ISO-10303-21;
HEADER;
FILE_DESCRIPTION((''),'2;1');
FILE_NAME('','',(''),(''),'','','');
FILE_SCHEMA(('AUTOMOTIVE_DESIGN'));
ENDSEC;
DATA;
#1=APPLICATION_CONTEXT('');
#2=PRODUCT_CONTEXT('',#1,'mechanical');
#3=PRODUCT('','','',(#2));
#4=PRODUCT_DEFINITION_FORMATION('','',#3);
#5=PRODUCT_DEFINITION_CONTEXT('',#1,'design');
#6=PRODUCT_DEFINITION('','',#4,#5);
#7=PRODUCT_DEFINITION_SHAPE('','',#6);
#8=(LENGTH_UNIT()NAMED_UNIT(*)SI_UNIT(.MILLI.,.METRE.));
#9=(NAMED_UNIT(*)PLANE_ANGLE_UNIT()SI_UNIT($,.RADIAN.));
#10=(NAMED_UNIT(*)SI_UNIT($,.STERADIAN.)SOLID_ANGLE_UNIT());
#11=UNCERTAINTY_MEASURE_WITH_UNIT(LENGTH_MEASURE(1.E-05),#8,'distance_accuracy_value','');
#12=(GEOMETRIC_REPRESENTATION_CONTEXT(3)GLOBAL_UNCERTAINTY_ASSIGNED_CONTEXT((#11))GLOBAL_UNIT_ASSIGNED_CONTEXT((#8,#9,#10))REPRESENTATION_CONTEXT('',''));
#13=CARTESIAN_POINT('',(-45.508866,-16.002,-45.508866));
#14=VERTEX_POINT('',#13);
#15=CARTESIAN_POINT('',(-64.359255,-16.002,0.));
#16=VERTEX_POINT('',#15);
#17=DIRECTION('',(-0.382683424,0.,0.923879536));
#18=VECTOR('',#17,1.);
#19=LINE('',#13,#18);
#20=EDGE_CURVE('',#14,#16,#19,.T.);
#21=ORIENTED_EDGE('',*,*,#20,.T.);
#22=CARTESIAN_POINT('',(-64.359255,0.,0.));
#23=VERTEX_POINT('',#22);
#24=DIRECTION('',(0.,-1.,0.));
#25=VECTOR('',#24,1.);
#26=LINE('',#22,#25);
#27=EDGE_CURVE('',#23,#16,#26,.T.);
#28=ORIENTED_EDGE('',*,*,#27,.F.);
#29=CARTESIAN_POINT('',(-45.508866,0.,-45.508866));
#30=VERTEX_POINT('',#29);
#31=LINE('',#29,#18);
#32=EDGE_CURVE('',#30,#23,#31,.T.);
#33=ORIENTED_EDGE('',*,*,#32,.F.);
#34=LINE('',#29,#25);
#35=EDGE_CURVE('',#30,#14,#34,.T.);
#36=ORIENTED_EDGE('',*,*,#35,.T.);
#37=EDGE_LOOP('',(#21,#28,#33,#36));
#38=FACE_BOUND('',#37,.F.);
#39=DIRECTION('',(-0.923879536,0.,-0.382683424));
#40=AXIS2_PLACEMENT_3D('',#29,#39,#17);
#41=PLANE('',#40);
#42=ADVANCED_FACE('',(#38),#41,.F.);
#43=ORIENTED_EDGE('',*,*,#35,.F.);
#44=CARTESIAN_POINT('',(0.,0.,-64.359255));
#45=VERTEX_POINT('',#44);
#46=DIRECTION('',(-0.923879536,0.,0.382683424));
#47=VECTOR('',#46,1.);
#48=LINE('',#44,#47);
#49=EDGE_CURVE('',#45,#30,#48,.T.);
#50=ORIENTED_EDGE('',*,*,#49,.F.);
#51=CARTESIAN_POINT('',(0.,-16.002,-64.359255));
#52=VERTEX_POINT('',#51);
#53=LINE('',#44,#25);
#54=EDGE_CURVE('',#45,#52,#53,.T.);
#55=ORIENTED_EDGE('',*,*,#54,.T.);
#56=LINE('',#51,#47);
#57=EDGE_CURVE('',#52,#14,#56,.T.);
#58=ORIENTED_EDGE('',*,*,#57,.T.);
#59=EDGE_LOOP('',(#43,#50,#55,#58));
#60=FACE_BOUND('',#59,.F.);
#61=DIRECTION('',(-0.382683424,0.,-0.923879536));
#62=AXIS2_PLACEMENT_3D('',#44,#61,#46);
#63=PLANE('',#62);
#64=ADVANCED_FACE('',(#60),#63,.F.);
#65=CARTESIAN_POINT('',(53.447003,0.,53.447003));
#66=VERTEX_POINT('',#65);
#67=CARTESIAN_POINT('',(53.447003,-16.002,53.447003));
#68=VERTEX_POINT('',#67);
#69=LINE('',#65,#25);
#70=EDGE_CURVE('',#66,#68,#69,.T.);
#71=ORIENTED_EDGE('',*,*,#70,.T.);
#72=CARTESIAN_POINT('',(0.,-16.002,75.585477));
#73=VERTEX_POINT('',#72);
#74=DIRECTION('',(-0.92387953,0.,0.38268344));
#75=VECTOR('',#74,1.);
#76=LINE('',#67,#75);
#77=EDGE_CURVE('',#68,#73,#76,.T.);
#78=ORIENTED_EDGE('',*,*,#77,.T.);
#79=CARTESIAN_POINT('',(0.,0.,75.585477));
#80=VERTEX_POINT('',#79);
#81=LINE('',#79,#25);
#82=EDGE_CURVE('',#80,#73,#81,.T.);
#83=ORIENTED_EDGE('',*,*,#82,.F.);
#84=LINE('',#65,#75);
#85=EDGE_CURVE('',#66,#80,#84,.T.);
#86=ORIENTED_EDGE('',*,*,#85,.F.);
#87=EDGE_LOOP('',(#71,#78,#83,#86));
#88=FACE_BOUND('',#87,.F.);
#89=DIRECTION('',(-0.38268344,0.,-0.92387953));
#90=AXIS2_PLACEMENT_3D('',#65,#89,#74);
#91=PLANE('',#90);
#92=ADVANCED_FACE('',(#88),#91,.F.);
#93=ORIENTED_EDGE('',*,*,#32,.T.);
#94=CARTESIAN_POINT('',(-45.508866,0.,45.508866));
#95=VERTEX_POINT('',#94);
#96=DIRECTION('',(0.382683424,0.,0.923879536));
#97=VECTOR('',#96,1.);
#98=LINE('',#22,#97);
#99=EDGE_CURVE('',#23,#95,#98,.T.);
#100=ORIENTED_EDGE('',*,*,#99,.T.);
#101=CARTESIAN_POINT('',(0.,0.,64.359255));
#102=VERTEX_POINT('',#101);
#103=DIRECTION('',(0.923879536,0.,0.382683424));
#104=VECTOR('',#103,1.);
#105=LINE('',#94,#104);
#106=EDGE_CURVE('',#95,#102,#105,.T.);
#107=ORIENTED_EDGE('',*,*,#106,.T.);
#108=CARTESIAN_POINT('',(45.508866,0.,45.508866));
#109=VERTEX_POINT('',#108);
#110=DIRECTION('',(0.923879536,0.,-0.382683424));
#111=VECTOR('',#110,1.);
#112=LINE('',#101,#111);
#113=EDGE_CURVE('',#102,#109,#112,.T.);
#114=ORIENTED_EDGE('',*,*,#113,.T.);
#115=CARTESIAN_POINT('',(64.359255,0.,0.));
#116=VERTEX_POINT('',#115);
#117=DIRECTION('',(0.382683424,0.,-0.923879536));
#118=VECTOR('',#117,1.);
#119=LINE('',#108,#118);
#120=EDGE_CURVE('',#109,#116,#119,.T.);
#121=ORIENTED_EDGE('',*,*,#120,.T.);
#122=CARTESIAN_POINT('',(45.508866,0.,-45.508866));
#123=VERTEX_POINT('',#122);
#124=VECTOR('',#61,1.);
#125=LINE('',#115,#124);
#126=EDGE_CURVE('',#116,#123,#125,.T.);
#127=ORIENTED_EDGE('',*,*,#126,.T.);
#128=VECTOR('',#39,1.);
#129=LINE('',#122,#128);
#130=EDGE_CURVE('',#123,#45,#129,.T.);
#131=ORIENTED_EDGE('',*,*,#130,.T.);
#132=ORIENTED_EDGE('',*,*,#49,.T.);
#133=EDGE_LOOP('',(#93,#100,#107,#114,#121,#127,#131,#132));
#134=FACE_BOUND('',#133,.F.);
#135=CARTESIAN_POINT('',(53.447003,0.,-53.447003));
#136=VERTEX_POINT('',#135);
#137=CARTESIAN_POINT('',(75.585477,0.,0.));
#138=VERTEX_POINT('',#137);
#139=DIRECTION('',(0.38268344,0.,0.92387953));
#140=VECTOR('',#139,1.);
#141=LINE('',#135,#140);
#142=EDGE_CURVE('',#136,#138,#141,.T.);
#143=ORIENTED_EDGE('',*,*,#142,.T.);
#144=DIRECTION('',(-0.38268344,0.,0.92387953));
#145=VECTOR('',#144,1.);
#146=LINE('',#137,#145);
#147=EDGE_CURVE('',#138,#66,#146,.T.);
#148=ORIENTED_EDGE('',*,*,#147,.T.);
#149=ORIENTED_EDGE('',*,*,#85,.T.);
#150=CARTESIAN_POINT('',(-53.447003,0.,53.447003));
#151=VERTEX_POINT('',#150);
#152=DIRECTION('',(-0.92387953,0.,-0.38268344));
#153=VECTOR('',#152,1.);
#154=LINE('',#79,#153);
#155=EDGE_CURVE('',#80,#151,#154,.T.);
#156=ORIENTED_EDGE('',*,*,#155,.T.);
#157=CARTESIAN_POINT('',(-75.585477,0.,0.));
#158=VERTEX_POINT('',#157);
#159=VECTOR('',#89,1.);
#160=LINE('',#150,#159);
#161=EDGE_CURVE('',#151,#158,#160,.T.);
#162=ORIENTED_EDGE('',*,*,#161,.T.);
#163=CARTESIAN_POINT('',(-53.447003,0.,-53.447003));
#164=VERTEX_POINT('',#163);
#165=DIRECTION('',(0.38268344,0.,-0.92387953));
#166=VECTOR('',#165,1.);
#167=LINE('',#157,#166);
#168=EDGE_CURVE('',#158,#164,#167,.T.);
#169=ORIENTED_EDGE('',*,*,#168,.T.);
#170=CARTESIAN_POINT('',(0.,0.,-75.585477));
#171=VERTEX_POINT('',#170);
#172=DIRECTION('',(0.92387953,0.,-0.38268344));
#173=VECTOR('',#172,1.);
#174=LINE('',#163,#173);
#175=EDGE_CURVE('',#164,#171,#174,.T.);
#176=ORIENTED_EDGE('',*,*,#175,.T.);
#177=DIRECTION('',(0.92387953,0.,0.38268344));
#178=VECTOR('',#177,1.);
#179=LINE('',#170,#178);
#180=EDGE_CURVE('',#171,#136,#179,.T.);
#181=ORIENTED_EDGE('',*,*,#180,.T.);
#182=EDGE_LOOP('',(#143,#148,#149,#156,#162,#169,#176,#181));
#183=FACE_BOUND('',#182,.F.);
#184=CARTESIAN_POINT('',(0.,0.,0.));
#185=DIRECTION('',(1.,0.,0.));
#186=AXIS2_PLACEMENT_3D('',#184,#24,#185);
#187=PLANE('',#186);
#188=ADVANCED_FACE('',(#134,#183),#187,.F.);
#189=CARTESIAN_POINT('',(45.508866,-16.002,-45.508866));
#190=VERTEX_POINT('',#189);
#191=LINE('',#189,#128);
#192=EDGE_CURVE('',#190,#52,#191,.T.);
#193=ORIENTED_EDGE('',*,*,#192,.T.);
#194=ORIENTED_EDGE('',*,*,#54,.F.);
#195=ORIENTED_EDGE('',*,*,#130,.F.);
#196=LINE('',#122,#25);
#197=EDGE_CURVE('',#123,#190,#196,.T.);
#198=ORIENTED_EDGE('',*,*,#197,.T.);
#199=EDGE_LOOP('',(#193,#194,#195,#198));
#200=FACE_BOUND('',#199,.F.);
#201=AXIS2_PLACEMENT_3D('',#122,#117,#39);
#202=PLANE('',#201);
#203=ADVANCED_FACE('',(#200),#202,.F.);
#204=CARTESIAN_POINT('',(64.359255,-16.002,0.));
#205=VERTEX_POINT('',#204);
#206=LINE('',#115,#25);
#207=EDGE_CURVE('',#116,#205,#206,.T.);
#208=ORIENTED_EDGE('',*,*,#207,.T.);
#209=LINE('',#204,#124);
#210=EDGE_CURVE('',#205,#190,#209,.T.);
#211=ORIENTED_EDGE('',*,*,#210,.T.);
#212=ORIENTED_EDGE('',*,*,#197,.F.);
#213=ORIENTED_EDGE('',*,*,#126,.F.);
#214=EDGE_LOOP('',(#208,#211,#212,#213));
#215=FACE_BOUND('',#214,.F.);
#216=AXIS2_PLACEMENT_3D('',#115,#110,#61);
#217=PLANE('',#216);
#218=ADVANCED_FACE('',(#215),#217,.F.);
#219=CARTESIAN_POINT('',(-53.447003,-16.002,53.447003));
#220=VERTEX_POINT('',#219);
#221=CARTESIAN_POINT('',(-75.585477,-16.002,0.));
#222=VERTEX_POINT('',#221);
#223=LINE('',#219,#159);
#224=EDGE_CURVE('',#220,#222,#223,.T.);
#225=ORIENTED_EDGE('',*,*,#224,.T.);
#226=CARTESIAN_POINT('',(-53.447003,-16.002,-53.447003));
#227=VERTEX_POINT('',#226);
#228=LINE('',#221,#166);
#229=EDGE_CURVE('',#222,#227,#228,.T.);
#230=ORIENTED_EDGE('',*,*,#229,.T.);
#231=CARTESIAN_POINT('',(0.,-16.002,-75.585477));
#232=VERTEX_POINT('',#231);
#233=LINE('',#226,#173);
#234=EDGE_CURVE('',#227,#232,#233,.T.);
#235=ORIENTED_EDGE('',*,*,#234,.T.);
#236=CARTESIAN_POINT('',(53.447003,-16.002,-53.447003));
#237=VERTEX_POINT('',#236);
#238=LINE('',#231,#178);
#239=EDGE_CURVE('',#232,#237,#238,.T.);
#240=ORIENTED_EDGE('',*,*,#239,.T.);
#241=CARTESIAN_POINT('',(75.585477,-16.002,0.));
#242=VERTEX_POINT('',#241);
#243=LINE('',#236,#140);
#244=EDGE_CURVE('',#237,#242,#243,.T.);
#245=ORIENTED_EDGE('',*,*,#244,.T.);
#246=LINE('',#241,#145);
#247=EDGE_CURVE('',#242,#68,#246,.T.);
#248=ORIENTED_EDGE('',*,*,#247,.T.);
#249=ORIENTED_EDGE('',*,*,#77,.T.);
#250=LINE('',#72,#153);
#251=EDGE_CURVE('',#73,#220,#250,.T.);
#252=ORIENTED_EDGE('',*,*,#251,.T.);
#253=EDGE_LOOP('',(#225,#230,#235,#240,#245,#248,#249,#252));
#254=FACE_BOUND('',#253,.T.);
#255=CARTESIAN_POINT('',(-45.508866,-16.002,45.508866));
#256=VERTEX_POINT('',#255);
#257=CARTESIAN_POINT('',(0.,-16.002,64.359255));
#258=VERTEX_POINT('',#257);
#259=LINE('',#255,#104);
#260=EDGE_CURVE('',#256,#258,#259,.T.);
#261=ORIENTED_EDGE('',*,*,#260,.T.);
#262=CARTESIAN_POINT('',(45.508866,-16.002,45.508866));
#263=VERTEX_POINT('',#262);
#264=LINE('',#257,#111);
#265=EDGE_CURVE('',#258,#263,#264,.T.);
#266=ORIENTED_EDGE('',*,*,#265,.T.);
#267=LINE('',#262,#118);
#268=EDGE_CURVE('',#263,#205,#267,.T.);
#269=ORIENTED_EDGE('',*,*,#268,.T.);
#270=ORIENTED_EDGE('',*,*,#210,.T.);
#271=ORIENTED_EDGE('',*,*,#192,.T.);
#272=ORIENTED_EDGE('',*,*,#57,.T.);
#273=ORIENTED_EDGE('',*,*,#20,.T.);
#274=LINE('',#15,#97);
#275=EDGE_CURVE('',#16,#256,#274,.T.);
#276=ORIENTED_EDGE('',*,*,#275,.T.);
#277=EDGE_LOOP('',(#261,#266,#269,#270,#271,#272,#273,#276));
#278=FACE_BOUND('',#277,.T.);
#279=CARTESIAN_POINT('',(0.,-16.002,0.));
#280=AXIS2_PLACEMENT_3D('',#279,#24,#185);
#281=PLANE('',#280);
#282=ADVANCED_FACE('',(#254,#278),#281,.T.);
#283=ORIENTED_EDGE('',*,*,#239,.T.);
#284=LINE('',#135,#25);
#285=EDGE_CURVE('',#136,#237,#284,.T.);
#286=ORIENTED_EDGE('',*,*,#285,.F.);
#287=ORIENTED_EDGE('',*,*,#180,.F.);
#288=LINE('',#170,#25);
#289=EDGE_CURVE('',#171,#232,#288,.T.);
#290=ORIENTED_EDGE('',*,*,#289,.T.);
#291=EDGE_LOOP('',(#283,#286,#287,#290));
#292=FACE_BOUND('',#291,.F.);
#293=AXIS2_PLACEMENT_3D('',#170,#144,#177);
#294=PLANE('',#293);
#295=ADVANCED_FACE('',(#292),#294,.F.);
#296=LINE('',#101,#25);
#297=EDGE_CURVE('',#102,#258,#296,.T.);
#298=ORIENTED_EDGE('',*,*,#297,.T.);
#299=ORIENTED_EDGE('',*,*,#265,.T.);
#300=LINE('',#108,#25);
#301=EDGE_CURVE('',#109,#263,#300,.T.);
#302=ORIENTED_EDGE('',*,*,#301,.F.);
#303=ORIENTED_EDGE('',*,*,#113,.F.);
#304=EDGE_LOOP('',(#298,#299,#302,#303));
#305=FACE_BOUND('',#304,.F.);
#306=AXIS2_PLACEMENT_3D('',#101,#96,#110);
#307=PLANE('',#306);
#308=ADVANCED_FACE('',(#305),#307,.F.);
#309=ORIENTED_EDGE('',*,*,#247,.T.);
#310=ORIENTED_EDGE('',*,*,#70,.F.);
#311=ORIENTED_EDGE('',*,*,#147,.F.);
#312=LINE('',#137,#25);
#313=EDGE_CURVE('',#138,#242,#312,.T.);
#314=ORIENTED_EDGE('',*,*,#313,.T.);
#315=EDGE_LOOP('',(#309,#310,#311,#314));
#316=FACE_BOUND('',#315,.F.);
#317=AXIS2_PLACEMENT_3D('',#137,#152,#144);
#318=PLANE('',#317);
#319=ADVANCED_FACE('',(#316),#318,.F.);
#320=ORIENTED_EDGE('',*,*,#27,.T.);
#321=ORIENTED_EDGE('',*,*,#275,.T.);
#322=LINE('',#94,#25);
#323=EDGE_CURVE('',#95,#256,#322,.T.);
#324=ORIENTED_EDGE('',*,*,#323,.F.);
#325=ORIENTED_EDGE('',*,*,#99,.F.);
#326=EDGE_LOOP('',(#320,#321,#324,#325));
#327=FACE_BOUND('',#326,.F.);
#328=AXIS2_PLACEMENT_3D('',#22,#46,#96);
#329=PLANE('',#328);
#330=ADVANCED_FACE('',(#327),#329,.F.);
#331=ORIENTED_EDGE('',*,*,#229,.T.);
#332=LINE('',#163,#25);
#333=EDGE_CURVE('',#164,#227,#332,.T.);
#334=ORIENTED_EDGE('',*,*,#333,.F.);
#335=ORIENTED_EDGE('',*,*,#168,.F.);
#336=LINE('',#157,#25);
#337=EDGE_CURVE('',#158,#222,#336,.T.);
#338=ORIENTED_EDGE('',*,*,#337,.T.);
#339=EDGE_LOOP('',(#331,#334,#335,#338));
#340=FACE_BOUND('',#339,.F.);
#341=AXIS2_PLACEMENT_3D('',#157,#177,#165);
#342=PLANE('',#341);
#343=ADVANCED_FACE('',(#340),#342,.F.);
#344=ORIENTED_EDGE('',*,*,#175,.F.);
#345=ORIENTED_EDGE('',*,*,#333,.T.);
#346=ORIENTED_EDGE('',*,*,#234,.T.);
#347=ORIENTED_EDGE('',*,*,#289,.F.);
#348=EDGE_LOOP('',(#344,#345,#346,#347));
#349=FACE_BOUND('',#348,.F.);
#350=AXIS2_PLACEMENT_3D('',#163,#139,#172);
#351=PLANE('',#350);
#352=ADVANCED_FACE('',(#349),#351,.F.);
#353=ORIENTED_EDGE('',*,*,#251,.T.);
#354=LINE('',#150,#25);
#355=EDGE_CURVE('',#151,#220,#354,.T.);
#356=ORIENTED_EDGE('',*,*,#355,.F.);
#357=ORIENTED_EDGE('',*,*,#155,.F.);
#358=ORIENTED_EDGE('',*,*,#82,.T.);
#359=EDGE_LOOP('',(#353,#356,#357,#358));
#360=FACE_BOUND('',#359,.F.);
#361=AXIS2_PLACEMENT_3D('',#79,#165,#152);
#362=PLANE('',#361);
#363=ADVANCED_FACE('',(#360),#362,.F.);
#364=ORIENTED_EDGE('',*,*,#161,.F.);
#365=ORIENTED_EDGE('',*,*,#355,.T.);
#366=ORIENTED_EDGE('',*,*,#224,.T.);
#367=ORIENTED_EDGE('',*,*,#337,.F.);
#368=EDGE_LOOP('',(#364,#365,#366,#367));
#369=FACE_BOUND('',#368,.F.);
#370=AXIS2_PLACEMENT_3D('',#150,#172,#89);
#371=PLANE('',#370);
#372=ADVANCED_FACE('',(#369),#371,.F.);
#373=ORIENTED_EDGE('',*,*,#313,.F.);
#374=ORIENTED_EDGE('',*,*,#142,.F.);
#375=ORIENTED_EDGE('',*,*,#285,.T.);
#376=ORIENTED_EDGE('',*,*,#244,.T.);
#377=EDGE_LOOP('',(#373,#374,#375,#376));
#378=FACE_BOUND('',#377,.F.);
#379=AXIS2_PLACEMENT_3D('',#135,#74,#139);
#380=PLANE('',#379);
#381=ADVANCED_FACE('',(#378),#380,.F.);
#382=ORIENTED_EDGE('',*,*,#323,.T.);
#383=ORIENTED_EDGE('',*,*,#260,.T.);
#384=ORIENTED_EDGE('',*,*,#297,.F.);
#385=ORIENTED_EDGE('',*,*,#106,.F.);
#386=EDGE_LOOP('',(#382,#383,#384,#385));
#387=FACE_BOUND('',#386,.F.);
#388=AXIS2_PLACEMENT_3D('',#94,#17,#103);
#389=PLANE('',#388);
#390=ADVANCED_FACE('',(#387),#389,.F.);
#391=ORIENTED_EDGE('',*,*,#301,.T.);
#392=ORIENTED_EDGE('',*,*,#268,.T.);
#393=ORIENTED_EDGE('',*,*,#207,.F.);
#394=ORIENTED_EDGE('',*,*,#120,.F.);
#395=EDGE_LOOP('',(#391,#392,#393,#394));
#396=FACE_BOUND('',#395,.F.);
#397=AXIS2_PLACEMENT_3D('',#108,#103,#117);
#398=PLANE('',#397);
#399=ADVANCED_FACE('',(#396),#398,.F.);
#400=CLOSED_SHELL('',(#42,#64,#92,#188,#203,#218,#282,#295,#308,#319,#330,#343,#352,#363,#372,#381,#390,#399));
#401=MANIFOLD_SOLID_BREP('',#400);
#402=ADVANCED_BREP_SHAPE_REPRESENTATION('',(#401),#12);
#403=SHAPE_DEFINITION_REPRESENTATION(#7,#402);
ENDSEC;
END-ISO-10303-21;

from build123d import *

# Parameters (mm, degrees)
F1_DEPTH = 16.002


with BuildPart() as f1:
    # F0 (on Front) → F1 (new body)
    with BuildSketch(Plane.XZ):
        Polygon((53.447003, 53.447003), (0, 75.585477), (-53.447003, 53.447003), (-75.585477, 0), (-53.447003, -53.447003), (0, -75.585477), (53.447003, -53.447003), (75.585477, 0), align=None)
        Polygon((-45.508866, 45.508866), (0, 64.359255), (45.508866, 45.508866), (64.359255, 0), (45.508866, -45.508866), (0, -64.359255), (-45.508866, -45.508866), (-64.359255, 0), align=None, mode=Mode.SUBTRACT)
    extrude(amount=F1_DEPTH)


solid = f1.part
